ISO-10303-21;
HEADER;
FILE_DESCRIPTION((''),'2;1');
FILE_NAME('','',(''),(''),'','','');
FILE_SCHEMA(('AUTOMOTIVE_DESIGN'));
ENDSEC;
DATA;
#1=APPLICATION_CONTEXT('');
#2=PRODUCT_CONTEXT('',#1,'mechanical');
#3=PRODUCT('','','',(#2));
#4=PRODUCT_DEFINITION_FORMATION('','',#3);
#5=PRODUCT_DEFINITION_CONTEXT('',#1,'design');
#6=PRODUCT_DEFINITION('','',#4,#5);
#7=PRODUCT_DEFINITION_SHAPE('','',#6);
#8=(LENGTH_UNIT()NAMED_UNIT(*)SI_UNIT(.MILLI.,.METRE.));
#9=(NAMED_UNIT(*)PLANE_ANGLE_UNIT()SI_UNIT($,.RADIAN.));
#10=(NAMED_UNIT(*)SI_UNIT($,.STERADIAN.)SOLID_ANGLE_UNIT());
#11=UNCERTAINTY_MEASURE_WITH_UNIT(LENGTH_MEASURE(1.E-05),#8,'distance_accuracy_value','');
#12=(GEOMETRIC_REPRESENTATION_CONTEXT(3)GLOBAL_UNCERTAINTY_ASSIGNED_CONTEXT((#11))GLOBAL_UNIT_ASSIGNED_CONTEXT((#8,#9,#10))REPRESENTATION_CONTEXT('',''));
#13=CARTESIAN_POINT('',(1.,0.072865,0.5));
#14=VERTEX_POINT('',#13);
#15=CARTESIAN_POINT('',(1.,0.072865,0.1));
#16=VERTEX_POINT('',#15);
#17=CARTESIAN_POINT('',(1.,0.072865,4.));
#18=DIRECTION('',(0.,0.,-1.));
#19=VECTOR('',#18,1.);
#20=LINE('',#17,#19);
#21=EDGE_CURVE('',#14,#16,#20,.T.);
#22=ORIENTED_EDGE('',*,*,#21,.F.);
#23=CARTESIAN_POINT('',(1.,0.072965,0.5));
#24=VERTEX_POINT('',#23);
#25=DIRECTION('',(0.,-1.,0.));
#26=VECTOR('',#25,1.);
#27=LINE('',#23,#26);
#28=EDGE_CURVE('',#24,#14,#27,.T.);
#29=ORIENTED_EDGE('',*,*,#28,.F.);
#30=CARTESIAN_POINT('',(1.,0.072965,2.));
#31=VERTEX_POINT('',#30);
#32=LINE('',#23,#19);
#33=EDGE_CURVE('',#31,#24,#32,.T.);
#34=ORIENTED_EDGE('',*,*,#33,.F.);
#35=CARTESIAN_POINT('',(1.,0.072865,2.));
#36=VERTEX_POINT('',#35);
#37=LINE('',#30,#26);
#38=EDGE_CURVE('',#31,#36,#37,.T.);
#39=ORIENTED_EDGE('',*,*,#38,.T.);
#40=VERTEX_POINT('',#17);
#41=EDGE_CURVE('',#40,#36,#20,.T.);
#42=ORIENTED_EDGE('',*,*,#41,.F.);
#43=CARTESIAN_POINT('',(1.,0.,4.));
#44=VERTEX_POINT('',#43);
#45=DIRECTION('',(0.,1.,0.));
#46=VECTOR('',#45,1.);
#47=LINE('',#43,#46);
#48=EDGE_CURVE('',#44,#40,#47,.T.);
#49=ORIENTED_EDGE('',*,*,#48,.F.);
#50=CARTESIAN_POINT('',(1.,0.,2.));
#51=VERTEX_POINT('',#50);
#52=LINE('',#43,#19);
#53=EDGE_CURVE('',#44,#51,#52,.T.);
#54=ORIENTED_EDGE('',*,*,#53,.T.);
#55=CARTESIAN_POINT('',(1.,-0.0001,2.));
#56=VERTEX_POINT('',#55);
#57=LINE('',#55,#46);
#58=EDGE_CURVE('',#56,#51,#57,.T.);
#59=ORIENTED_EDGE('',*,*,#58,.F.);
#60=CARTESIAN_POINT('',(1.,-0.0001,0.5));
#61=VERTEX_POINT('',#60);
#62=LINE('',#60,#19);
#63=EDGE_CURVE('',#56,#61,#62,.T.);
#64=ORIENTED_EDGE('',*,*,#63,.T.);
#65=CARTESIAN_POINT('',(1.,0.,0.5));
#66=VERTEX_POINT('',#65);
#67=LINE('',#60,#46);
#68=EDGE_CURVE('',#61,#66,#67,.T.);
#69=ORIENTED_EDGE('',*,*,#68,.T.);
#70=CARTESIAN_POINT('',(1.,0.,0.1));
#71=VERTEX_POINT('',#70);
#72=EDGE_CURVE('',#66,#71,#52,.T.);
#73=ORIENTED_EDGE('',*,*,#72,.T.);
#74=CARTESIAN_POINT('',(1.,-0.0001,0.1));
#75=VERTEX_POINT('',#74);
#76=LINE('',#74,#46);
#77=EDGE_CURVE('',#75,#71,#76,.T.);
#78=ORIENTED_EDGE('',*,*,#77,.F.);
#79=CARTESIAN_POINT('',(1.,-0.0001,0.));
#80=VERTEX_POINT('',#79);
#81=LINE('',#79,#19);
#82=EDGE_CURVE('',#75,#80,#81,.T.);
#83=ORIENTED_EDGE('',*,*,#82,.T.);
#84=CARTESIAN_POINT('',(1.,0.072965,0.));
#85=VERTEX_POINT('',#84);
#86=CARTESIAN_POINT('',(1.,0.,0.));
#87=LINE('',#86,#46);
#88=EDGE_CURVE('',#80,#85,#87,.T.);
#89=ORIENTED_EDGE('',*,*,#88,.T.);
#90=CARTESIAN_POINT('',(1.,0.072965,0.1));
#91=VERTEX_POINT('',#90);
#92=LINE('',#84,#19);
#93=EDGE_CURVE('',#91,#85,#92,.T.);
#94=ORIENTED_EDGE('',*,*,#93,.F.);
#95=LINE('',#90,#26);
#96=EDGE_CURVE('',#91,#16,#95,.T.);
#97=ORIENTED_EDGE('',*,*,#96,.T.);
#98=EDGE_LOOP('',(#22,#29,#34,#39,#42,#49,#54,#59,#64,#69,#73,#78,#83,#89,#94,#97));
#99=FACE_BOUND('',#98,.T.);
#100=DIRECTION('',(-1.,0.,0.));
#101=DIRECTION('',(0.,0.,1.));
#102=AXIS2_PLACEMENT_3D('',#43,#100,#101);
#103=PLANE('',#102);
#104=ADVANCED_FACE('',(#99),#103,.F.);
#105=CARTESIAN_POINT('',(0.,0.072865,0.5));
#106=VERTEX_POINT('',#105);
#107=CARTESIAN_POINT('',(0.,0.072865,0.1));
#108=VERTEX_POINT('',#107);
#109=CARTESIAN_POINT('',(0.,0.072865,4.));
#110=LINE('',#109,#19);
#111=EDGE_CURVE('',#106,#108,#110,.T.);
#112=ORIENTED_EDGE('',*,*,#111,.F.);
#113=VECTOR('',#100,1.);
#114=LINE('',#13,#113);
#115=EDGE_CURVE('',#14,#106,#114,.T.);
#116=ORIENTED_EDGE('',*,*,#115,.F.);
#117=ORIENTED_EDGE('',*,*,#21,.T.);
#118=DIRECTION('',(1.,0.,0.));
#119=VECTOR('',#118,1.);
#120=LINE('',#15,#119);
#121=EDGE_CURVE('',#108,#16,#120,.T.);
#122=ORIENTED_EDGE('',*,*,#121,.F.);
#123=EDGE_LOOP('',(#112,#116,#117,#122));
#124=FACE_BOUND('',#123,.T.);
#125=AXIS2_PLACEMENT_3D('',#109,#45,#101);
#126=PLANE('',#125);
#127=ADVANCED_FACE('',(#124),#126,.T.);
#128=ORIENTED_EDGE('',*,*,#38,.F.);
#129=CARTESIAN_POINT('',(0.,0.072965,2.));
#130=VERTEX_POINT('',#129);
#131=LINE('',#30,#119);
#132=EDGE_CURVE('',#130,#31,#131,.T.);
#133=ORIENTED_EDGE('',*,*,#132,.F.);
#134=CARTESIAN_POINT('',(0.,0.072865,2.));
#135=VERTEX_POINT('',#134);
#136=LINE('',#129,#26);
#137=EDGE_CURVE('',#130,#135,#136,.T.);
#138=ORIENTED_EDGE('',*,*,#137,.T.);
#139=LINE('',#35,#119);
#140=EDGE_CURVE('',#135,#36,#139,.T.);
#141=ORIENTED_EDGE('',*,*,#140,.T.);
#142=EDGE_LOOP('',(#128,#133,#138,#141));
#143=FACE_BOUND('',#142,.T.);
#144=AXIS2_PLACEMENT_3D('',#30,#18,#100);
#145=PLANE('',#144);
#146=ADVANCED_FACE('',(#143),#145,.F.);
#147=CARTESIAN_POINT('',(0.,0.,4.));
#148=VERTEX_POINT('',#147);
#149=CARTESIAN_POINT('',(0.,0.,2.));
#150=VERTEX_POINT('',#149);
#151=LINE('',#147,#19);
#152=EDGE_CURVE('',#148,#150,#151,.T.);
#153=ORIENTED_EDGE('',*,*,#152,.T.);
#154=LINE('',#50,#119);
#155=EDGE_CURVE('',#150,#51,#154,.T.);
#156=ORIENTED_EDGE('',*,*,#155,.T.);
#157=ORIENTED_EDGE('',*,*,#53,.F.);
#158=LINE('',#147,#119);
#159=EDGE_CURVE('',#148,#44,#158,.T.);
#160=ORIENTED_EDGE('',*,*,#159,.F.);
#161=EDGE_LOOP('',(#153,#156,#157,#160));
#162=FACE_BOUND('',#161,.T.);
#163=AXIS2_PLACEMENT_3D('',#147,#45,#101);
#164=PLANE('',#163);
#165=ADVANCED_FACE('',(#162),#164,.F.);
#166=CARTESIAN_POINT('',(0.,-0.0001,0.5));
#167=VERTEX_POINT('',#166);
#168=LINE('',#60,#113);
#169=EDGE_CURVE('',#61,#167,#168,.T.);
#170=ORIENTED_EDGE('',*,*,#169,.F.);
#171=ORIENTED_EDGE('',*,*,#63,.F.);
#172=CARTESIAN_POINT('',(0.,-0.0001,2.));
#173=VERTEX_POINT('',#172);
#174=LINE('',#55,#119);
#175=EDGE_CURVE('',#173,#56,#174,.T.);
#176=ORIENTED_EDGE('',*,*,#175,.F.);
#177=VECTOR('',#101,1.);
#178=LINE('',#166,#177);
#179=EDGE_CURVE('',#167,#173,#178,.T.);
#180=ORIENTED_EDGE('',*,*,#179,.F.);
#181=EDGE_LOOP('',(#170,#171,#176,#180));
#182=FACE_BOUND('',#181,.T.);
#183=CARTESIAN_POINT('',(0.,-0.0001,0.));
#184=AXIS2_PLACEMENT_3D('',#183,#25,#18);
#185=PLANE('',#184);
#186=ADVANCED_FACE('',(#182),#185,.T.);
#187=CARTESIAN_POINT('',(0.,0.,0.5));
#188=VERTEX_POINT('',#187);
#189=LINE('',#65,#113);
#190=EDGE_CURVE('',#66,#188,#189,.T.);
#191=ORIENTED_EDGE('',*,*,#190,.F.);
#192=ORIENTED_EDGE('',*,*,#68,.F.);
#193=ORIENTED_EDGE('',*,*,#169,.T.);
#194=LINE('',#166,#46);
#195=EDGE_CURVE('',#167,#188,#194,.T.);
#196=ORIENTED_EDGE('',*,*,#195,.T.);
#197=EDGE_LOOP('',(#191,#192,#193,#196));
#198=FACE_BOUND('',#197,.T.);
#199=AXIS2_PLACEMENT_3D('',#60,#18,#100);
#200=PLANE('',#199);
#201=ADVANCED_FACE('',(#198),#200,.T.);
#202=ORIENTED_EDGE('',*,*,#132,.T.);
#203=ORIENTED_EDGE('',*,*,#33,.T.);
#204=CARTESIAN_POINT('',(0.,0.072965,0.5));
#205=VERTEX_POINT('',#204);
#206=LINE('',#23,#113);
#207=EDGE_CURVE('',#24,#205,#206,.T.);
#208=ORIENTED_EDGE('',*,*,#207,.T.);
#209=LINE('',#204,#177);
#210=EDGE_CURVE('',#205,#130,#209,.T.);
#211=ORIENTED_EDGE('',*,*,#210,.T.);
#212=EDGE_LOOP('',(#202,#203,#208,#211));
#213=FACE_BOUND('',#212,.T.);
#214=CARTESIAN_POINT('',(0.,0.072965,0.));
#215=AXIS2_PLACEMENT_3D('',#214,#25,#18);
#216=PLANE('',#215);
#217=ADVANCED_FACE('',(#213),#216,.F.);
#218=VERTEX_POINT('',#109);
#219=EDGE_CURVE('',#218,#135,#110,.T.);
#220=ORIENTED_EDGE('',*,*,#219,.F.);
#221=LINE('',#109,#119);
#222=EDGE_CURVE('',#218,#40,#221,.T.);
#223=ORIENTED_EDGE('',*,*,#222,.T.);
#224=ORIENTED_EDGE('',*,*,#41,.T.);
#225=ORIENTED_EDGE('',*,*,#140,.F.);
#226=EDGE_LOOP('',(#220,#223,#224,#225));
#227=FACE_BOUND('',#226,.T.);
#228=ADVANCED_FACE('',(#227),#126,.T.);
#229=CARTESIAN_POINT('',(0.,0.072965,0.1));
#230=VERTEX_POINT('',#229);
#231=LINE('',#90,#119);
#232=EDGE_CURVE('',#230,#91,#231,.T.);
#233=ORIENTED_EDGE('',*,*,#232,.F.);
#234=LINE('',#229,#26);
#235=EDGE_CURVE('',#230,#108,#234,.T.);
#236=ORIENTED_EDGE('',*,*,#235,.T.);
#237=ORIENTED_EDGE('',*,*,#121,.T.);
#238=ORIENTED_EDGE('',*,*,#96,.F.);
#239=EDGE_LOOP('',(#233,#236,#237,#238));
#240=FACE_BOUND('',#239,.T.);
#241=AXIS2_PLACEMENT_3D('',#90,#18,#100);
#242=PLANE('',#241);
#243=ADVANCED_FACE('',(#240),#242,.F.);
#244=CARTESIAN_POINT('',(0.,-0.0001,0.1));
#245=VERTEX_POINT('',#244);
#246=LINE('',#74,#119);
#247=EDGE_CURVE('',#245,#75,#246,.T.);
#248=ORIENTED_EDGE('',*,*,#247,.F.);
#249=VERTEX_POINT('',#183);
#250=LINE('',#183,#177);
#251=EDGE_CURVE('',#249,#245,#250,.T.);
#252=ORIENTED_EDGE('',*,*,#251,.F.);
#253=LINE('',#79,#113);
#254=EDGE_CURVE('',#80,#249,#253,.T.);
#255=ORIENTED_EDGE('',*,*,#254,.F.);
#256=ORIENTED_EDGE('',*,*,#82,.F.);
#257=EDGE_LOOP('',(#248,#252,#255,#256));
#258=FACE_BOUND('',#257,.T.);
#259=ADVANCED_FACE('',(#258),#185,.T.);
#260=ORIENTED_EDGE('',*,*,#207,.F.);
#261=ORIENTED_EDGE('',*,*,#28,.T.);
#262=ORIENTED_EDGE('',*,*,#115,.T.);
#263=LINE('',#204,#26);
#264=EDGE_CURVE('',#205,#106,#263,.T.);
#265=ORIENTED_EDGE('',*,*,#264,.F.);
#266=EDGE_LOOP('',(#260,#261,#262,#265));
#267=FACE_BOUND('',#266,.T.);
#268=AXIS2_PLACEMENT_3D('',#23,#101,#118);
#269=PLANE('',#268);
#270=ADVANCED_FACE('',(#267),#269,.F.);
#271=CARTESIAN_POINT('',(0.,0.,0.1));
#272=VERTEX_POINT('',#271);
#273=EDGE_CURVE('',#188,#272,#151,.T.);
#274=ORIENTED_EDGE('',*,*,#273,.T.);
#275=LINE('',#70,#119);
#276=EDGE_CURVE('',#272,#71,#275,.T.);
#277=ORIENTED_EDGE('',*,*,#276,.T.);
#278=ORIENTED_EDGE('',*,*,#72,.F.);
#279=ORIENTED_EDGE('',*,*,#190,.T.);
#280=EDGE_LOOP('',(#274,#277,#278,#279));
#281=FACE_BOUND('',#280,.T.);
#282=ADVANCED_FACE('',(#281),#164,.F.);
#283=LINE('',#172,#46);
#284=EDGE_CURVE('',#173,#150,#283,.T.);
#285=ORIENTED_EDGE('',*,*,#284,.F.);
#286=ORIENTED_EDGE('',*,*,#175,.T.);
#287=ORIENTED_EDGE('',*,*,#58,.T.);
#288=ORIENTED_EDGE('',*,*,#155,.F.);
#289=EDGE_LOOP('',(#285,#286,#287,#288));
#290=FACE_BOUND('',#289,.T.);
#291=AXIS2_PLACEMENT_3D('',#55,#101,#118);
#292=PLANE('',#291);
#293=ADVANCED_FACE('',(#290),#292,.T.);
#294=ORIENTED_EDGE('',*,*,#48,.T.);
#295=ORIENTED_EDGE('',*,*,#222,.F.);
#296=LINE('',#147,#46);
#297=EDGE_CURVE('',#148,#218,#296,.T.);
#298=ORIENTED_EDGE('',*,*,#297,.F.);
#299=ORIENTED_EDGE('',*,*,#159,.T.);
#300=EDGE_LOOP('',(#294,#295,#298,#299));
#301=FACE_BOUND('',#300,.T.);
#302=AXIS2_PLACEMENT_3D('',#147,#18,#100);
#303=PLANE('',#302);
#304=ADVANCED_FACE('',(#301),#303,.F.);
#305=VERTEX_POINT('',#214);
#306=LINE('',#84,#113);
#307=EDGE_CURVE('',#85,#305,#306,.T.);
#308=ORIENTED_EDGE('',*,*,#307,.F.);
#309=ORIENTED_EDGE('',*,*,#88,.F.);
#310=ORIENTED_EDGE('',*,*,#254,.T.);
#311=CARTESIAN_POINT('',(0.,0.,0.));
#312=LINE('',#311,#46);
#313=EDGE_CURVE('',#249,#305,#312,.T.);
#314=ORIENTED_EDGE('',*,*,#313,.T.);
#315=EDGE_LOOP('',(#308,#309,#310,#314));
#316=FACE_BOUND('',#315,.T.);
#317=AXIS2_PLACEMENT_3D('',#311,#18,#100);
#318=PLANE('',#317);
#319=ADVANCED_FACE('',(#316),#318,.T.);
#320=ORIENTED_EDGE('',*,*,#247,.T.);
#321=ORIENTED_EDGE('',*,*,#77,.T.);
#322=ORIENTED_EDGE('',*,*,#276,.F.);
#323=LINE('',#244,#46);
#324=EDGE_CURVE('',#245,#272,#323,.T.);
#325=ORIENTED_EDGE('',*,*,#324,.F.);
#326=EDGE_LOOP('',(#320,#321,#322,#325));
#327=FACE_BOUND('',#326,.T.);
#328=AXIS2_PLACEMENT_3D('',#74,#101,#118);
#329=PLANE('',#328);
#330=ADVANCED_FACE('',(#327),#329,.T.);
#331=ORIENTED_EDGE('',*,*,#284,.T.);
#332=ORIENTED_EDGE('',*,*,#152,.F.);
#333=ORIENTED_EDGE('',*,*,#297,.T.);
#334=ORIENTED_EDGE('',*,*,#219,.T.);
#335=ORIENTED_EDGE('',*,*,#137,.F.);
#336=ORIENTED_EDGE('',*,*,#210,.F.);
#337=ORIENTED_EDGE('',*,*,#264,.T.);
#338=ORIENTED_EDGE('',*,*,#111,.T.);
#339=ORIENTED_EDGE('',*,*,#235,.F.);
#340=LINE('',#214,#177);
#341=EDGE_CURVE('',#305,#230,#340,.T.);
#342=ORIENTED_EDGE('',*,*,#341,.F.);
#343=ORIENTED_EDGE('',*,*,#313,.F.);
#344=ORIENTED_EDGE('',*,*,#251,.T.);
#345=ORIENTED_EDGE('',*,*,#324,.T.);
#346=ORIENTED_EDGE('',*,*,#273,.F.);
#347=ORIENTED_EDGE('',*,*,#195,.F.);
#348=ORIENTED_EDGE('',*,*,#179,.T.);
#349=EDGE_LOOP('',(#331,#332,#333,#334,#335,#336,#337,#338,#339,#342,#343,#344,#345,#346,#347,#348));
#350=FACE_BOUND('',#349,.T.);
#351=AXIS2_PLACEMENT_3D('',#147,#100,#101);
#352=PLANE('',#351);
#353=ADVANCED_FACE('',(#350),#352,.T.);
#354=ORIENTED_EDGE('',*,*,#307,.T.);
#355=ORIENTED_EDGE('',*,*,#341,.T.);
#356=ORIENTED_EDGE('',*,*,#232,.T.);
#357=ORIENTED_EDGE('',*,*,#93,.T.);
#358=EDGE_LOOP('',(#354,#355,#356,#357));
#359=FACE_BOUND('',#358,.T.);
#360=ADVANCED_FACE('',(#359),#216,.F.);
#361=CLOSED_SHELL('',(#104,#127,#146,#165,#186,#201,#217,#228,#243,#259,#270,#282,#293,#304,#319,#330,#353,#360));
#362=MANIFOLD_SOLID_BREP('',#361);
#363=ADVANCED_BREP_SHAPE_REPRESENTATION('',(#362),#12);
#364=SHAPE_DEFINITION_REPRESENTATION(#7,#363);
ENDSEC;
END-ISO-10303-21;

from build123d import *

# Parameters (mm, degrees)
SKETCH1_W           = 1
SKETCH1_H           = 0.072865
BOSS_EXTRUDE1_DEPTH = 4
SKETCH7_W           = 1
SKETCH7_H           = 0.1
SKETCH7_H_2         = 1.5
BOSS_EXTRUDE6_DEPTH = 0.0001
BOSS_EXTRUDE7_START = -0.072865
SKETCH7_2_W         = 1
SKETCH7_2_H         = 0.1
SKETCH7_2_H_2       = 1.5
BOSS_EXTRUDE7_DEPTH = 0.0001


with BuildPart() as part:
    # Sketch1 → Boss-Extrude1 (new body)
    with BuildSketch(Plane.XY):
        with Locations((0.5, 0.0364325)):
            Rectangle(SKETCH1_W, SKETCH1_H)
    extrude(amount=BOSS_EXTRUDE1_DEPTH)

    # Sketch7 → Boss-Extrude6 (add)
    with BuildSketch(Plane(origin=(0, 0.072865, 0), x_dir=(1, 0, 0), z_dir=(0, 1, 0))):
        with Locations((0.5, -0.05)):
            Rectangle(SKETCH7_W, SKETCH7_H)
        with Locations((0.5, -1.25)):
            Rectangle(SKETCH7_W, SKETCH7_H_2)
    extrude(amount=BOSS_EXTRUDE6_DEPTH)

    # Sketch7<2> → Boss-Extrude7 (add)
    with BuildSketch(Plane(origin=(0, 0.072865, 0), x_dir=(1, 0, 0), z_dir=(0, 1, 0)).offset(BOSS_EXTRUDE7_START)):
        with Locations((0.5, -0.05)):
            Rectangle(SKETCH7_2_W, SKETCH7_2_H)
        with Locations((0.5, -1.25)):
            Rectangle(SKETCH7_2_W, SKETCH7_2_H_2)
    extrude(amount=-BOSS_EXTRUDE7_DEPTH)


solid = part.part
